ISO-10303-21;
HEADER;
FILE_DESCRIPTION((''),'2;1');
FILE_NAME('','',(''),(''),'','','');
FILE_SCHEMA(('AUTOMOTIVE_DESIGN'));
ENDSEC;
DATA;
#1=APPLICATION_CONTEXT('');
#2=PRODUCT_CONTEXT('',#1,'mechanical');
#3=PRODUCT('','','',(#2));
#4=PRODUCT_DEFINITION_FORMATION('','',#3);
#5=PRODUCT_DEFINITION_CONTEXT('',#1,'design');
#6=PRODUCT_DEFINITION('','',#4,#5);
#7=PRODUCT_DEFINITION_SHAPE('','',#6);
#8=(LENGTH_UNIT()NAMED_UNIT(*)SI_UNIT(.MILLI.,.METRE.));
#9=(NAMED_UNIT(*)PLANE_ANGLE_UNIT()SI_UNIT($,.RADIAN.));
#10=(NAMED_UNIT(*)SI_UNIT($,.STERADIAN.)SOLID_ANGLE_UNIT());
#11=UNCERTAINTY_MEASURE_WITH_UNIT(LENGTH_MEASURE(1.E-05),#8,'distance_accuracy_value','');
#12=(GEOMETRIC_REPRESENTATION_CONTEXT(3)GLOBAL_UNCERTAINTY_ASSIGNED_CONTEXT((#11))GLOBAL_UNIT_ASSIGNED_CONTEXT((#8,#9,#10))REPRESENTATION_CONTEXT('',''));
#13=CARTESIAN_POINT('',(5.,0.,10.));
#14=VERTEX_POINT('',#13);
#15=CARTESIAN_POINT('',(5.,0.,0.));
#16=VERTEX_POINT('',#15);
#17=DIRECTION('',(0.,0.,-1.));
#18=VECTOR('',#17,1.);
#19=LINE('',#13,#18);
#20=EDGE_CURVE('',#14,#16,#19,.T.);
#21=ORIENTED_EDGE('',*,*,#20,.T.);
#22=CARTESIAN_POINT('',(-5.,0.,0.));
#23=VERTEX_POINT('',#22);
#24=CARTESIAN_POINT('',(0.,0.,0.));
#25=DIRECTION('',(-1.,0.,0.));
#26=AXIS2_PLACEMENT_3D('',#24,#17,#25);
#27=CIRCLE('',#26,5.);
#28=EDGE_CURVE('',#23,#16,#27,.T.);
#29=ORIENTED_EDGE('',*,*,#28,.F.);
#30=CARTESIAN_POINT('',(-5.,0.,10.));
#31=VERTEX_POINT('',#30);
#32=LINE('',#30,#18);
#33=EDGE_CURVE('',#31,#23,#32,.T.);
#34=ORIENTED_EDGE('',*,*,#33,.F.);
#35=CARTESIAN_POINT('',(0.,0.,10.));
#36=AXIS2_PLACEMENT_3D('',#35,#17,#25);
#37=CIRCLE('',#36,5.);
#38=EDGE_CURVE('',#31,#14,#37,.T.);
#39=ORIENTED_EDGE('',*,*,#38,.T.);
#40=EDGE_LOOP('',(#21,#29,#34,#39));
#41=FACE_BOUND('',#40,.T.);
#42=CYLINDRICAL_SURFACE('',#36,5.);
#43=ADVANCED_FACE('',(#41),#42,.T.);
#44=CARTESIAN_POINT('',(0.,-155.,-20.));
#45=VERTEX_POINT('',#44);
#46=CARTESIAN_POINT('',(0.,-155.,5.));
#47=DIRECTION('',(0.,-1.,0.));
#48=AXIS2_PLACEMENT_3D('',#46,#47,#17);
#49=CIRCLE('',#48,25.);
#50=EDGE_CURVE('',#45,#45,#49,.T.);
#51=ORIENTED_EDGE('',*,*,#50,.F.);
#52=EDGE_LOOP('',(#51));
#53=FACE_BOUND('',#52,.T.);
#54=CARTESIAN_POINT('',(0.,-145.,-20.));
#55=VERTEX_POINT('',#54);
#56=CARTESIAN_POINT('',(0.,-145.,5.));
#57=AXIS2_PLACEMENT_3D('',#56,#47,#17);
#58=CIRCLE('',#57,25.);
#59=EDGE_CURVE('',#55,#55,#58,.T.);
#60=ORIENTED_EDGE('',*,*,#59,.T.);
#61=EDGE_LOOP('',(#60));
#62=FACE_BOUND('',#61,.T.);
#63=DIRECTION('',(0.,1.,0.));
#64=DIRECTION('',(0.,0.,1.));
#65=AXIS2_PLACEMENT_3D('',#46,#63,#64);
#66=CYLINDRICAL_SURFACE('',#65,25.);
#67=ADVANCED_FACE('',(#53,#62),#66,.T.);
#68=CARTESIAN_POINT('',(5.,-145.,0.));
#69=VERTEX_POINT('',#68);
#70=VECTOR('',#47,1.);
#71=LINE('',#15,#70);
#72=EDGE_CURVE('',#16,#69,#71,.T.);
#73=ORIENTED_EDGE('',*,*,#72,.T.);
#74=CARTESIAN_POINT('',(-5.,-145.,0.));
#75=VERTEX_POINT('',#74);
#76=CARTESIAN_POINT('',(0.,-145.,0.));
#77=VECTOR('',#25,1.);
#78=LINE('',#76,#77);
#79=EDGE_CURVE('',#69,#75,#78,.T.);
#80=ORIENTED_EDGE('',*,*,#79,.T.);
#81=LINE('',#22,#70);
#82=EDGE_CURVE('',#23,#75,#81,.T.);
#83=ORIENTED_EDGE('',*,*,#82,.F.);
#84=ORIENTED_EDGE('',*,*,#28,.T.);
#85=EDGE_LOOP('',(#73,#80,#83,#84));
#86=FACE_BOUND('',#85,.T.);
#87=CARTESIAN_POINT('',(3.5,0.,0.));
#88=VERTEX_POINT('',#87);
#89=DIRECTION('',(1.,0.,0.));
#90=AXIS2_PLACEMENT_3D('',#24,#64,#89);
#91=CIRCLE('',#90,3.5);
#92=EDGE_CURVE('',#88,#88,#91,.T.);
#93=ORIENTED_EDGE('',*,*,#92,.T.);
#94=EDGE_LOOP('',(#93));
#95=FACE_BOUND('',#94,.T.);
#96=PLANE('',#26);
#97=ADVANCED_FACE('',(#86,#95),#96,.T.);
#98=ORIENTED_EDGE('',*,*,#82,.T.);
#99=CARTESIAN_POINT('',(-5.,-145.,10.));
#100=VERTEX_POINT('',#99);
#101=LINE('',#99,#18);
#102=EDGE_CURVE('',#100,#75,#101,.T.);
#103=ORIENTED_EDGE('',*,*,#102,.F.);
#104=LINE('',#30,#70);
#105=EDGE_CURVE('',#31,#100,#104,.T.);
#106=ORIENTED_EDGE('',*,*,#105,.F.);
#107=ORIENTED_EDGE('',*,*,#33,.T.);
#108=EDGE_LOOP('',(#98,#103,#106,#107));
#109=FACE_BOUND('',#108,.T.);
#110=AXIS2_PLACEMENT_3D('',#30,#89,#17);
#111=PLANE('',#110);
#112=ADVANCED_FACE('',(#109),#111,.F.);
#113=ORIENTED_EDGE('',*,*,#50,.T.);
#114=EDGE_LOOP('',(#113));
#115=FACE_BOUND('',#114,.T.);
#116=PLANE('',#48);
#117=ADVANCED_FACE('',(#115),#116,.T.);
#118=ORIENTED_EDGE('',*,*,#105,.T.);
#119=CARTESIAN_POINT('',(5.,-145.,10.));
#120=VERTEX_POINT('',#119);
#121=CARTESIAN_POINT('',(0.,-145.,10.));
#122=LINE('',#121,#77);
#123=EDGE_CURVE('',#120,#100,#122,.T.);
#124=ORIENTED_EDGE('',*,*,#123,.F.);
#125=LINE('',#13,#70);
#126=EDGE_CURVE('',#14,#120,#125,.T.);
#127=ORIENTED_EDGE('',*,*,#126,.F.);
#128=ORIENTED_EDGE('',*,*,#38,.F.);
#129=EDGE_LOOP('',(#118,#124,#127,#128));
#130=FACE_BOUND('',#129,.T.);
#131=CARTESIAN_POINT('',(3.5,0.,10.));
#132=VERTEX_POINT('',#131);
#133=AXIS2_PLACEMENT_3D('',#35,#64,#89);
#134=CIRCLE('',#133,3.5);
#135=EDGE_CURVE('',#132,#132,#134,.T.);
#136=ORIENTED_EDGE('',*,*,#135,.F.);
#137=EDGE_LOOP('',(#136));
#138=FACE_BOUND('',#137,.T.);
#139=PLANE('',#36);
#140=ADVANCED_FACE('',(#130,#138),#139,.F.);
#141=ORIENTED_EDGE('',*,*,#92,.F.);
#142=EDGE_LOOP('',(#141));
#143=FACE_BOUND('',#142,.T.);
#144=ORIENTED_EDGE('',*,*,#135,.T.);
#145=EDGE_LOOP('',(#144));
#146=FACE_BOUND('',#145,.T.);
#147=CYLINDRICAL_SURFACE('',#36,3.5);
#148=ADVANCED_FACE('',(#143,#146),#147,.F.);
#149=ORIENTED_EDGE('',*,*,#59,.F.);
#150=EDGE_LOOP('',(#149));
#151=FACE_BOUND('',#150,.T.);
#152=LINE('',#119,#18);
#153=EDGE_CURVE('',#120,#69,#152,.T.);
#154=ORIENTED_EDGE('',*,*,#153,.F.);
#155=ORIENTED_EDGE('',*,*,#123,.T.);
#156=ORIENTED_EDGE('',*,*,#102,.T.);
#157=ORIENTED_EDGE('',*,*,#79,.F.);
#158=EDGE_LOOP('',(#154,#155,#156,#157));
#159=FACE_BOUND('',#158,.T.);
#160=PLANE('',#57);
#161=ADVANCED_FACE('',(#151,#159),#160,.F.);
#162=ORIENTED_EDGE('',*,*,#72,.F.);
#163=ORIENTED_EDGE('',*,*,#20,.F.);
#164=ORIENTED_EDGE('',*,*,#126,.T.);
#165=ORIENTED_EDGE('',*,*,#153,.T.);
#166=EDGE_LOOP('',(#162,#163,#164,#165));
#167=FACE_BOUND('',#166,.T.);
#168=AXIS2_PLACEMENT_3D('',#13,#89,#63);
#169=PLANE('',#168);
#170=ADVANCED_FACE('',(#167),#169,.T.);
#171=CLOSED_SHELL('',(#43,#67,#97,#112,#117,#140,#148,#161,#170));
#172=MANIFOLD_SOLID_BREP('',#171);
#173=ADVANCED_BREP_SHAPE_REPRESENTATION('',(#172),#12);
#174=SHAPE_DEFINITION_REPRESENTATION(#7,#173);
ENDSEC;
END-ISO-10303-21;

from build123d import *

# Parameters (mm, degrees)
SKETCH1_R           = 3.5
BOSS_EXTRUDE1_DEPTH = 10
SKETCH2_R           = 25
BOSS_EXTRUDE2_DEPTH = 5


with BuildPart() as part:
    # Sketch1 → Boss-Extrude1 (new body)
    with BuildSketch(Plane.XY):
        with BuildLine():
            Line((-5, 0), (-5, -150))
            Line((-5, -150), (5, -150))
            Line((5, -150), (5, 0))
            ThreePointArc((5, 0), (0, 5), (-5, 0))
        make_face()
        Circle(SKETCH1_R, mode=Mode.SUBTRACT)
    extrude(amount=BOSS_EXTRUDE1_DEPTH)

    # Sketch2 → Boss-Extrude2 (add, symmetric)
    with BuildSketch(Plane.XZ.offset(150)):
        with Locations(Location((0, 5, 0), (0, 0, 270))):
            Circle(SKETCH2_R)
    extrude(amount=BOSS_EXTRUDE2_DEPTH, both=True)


solid = part.part
